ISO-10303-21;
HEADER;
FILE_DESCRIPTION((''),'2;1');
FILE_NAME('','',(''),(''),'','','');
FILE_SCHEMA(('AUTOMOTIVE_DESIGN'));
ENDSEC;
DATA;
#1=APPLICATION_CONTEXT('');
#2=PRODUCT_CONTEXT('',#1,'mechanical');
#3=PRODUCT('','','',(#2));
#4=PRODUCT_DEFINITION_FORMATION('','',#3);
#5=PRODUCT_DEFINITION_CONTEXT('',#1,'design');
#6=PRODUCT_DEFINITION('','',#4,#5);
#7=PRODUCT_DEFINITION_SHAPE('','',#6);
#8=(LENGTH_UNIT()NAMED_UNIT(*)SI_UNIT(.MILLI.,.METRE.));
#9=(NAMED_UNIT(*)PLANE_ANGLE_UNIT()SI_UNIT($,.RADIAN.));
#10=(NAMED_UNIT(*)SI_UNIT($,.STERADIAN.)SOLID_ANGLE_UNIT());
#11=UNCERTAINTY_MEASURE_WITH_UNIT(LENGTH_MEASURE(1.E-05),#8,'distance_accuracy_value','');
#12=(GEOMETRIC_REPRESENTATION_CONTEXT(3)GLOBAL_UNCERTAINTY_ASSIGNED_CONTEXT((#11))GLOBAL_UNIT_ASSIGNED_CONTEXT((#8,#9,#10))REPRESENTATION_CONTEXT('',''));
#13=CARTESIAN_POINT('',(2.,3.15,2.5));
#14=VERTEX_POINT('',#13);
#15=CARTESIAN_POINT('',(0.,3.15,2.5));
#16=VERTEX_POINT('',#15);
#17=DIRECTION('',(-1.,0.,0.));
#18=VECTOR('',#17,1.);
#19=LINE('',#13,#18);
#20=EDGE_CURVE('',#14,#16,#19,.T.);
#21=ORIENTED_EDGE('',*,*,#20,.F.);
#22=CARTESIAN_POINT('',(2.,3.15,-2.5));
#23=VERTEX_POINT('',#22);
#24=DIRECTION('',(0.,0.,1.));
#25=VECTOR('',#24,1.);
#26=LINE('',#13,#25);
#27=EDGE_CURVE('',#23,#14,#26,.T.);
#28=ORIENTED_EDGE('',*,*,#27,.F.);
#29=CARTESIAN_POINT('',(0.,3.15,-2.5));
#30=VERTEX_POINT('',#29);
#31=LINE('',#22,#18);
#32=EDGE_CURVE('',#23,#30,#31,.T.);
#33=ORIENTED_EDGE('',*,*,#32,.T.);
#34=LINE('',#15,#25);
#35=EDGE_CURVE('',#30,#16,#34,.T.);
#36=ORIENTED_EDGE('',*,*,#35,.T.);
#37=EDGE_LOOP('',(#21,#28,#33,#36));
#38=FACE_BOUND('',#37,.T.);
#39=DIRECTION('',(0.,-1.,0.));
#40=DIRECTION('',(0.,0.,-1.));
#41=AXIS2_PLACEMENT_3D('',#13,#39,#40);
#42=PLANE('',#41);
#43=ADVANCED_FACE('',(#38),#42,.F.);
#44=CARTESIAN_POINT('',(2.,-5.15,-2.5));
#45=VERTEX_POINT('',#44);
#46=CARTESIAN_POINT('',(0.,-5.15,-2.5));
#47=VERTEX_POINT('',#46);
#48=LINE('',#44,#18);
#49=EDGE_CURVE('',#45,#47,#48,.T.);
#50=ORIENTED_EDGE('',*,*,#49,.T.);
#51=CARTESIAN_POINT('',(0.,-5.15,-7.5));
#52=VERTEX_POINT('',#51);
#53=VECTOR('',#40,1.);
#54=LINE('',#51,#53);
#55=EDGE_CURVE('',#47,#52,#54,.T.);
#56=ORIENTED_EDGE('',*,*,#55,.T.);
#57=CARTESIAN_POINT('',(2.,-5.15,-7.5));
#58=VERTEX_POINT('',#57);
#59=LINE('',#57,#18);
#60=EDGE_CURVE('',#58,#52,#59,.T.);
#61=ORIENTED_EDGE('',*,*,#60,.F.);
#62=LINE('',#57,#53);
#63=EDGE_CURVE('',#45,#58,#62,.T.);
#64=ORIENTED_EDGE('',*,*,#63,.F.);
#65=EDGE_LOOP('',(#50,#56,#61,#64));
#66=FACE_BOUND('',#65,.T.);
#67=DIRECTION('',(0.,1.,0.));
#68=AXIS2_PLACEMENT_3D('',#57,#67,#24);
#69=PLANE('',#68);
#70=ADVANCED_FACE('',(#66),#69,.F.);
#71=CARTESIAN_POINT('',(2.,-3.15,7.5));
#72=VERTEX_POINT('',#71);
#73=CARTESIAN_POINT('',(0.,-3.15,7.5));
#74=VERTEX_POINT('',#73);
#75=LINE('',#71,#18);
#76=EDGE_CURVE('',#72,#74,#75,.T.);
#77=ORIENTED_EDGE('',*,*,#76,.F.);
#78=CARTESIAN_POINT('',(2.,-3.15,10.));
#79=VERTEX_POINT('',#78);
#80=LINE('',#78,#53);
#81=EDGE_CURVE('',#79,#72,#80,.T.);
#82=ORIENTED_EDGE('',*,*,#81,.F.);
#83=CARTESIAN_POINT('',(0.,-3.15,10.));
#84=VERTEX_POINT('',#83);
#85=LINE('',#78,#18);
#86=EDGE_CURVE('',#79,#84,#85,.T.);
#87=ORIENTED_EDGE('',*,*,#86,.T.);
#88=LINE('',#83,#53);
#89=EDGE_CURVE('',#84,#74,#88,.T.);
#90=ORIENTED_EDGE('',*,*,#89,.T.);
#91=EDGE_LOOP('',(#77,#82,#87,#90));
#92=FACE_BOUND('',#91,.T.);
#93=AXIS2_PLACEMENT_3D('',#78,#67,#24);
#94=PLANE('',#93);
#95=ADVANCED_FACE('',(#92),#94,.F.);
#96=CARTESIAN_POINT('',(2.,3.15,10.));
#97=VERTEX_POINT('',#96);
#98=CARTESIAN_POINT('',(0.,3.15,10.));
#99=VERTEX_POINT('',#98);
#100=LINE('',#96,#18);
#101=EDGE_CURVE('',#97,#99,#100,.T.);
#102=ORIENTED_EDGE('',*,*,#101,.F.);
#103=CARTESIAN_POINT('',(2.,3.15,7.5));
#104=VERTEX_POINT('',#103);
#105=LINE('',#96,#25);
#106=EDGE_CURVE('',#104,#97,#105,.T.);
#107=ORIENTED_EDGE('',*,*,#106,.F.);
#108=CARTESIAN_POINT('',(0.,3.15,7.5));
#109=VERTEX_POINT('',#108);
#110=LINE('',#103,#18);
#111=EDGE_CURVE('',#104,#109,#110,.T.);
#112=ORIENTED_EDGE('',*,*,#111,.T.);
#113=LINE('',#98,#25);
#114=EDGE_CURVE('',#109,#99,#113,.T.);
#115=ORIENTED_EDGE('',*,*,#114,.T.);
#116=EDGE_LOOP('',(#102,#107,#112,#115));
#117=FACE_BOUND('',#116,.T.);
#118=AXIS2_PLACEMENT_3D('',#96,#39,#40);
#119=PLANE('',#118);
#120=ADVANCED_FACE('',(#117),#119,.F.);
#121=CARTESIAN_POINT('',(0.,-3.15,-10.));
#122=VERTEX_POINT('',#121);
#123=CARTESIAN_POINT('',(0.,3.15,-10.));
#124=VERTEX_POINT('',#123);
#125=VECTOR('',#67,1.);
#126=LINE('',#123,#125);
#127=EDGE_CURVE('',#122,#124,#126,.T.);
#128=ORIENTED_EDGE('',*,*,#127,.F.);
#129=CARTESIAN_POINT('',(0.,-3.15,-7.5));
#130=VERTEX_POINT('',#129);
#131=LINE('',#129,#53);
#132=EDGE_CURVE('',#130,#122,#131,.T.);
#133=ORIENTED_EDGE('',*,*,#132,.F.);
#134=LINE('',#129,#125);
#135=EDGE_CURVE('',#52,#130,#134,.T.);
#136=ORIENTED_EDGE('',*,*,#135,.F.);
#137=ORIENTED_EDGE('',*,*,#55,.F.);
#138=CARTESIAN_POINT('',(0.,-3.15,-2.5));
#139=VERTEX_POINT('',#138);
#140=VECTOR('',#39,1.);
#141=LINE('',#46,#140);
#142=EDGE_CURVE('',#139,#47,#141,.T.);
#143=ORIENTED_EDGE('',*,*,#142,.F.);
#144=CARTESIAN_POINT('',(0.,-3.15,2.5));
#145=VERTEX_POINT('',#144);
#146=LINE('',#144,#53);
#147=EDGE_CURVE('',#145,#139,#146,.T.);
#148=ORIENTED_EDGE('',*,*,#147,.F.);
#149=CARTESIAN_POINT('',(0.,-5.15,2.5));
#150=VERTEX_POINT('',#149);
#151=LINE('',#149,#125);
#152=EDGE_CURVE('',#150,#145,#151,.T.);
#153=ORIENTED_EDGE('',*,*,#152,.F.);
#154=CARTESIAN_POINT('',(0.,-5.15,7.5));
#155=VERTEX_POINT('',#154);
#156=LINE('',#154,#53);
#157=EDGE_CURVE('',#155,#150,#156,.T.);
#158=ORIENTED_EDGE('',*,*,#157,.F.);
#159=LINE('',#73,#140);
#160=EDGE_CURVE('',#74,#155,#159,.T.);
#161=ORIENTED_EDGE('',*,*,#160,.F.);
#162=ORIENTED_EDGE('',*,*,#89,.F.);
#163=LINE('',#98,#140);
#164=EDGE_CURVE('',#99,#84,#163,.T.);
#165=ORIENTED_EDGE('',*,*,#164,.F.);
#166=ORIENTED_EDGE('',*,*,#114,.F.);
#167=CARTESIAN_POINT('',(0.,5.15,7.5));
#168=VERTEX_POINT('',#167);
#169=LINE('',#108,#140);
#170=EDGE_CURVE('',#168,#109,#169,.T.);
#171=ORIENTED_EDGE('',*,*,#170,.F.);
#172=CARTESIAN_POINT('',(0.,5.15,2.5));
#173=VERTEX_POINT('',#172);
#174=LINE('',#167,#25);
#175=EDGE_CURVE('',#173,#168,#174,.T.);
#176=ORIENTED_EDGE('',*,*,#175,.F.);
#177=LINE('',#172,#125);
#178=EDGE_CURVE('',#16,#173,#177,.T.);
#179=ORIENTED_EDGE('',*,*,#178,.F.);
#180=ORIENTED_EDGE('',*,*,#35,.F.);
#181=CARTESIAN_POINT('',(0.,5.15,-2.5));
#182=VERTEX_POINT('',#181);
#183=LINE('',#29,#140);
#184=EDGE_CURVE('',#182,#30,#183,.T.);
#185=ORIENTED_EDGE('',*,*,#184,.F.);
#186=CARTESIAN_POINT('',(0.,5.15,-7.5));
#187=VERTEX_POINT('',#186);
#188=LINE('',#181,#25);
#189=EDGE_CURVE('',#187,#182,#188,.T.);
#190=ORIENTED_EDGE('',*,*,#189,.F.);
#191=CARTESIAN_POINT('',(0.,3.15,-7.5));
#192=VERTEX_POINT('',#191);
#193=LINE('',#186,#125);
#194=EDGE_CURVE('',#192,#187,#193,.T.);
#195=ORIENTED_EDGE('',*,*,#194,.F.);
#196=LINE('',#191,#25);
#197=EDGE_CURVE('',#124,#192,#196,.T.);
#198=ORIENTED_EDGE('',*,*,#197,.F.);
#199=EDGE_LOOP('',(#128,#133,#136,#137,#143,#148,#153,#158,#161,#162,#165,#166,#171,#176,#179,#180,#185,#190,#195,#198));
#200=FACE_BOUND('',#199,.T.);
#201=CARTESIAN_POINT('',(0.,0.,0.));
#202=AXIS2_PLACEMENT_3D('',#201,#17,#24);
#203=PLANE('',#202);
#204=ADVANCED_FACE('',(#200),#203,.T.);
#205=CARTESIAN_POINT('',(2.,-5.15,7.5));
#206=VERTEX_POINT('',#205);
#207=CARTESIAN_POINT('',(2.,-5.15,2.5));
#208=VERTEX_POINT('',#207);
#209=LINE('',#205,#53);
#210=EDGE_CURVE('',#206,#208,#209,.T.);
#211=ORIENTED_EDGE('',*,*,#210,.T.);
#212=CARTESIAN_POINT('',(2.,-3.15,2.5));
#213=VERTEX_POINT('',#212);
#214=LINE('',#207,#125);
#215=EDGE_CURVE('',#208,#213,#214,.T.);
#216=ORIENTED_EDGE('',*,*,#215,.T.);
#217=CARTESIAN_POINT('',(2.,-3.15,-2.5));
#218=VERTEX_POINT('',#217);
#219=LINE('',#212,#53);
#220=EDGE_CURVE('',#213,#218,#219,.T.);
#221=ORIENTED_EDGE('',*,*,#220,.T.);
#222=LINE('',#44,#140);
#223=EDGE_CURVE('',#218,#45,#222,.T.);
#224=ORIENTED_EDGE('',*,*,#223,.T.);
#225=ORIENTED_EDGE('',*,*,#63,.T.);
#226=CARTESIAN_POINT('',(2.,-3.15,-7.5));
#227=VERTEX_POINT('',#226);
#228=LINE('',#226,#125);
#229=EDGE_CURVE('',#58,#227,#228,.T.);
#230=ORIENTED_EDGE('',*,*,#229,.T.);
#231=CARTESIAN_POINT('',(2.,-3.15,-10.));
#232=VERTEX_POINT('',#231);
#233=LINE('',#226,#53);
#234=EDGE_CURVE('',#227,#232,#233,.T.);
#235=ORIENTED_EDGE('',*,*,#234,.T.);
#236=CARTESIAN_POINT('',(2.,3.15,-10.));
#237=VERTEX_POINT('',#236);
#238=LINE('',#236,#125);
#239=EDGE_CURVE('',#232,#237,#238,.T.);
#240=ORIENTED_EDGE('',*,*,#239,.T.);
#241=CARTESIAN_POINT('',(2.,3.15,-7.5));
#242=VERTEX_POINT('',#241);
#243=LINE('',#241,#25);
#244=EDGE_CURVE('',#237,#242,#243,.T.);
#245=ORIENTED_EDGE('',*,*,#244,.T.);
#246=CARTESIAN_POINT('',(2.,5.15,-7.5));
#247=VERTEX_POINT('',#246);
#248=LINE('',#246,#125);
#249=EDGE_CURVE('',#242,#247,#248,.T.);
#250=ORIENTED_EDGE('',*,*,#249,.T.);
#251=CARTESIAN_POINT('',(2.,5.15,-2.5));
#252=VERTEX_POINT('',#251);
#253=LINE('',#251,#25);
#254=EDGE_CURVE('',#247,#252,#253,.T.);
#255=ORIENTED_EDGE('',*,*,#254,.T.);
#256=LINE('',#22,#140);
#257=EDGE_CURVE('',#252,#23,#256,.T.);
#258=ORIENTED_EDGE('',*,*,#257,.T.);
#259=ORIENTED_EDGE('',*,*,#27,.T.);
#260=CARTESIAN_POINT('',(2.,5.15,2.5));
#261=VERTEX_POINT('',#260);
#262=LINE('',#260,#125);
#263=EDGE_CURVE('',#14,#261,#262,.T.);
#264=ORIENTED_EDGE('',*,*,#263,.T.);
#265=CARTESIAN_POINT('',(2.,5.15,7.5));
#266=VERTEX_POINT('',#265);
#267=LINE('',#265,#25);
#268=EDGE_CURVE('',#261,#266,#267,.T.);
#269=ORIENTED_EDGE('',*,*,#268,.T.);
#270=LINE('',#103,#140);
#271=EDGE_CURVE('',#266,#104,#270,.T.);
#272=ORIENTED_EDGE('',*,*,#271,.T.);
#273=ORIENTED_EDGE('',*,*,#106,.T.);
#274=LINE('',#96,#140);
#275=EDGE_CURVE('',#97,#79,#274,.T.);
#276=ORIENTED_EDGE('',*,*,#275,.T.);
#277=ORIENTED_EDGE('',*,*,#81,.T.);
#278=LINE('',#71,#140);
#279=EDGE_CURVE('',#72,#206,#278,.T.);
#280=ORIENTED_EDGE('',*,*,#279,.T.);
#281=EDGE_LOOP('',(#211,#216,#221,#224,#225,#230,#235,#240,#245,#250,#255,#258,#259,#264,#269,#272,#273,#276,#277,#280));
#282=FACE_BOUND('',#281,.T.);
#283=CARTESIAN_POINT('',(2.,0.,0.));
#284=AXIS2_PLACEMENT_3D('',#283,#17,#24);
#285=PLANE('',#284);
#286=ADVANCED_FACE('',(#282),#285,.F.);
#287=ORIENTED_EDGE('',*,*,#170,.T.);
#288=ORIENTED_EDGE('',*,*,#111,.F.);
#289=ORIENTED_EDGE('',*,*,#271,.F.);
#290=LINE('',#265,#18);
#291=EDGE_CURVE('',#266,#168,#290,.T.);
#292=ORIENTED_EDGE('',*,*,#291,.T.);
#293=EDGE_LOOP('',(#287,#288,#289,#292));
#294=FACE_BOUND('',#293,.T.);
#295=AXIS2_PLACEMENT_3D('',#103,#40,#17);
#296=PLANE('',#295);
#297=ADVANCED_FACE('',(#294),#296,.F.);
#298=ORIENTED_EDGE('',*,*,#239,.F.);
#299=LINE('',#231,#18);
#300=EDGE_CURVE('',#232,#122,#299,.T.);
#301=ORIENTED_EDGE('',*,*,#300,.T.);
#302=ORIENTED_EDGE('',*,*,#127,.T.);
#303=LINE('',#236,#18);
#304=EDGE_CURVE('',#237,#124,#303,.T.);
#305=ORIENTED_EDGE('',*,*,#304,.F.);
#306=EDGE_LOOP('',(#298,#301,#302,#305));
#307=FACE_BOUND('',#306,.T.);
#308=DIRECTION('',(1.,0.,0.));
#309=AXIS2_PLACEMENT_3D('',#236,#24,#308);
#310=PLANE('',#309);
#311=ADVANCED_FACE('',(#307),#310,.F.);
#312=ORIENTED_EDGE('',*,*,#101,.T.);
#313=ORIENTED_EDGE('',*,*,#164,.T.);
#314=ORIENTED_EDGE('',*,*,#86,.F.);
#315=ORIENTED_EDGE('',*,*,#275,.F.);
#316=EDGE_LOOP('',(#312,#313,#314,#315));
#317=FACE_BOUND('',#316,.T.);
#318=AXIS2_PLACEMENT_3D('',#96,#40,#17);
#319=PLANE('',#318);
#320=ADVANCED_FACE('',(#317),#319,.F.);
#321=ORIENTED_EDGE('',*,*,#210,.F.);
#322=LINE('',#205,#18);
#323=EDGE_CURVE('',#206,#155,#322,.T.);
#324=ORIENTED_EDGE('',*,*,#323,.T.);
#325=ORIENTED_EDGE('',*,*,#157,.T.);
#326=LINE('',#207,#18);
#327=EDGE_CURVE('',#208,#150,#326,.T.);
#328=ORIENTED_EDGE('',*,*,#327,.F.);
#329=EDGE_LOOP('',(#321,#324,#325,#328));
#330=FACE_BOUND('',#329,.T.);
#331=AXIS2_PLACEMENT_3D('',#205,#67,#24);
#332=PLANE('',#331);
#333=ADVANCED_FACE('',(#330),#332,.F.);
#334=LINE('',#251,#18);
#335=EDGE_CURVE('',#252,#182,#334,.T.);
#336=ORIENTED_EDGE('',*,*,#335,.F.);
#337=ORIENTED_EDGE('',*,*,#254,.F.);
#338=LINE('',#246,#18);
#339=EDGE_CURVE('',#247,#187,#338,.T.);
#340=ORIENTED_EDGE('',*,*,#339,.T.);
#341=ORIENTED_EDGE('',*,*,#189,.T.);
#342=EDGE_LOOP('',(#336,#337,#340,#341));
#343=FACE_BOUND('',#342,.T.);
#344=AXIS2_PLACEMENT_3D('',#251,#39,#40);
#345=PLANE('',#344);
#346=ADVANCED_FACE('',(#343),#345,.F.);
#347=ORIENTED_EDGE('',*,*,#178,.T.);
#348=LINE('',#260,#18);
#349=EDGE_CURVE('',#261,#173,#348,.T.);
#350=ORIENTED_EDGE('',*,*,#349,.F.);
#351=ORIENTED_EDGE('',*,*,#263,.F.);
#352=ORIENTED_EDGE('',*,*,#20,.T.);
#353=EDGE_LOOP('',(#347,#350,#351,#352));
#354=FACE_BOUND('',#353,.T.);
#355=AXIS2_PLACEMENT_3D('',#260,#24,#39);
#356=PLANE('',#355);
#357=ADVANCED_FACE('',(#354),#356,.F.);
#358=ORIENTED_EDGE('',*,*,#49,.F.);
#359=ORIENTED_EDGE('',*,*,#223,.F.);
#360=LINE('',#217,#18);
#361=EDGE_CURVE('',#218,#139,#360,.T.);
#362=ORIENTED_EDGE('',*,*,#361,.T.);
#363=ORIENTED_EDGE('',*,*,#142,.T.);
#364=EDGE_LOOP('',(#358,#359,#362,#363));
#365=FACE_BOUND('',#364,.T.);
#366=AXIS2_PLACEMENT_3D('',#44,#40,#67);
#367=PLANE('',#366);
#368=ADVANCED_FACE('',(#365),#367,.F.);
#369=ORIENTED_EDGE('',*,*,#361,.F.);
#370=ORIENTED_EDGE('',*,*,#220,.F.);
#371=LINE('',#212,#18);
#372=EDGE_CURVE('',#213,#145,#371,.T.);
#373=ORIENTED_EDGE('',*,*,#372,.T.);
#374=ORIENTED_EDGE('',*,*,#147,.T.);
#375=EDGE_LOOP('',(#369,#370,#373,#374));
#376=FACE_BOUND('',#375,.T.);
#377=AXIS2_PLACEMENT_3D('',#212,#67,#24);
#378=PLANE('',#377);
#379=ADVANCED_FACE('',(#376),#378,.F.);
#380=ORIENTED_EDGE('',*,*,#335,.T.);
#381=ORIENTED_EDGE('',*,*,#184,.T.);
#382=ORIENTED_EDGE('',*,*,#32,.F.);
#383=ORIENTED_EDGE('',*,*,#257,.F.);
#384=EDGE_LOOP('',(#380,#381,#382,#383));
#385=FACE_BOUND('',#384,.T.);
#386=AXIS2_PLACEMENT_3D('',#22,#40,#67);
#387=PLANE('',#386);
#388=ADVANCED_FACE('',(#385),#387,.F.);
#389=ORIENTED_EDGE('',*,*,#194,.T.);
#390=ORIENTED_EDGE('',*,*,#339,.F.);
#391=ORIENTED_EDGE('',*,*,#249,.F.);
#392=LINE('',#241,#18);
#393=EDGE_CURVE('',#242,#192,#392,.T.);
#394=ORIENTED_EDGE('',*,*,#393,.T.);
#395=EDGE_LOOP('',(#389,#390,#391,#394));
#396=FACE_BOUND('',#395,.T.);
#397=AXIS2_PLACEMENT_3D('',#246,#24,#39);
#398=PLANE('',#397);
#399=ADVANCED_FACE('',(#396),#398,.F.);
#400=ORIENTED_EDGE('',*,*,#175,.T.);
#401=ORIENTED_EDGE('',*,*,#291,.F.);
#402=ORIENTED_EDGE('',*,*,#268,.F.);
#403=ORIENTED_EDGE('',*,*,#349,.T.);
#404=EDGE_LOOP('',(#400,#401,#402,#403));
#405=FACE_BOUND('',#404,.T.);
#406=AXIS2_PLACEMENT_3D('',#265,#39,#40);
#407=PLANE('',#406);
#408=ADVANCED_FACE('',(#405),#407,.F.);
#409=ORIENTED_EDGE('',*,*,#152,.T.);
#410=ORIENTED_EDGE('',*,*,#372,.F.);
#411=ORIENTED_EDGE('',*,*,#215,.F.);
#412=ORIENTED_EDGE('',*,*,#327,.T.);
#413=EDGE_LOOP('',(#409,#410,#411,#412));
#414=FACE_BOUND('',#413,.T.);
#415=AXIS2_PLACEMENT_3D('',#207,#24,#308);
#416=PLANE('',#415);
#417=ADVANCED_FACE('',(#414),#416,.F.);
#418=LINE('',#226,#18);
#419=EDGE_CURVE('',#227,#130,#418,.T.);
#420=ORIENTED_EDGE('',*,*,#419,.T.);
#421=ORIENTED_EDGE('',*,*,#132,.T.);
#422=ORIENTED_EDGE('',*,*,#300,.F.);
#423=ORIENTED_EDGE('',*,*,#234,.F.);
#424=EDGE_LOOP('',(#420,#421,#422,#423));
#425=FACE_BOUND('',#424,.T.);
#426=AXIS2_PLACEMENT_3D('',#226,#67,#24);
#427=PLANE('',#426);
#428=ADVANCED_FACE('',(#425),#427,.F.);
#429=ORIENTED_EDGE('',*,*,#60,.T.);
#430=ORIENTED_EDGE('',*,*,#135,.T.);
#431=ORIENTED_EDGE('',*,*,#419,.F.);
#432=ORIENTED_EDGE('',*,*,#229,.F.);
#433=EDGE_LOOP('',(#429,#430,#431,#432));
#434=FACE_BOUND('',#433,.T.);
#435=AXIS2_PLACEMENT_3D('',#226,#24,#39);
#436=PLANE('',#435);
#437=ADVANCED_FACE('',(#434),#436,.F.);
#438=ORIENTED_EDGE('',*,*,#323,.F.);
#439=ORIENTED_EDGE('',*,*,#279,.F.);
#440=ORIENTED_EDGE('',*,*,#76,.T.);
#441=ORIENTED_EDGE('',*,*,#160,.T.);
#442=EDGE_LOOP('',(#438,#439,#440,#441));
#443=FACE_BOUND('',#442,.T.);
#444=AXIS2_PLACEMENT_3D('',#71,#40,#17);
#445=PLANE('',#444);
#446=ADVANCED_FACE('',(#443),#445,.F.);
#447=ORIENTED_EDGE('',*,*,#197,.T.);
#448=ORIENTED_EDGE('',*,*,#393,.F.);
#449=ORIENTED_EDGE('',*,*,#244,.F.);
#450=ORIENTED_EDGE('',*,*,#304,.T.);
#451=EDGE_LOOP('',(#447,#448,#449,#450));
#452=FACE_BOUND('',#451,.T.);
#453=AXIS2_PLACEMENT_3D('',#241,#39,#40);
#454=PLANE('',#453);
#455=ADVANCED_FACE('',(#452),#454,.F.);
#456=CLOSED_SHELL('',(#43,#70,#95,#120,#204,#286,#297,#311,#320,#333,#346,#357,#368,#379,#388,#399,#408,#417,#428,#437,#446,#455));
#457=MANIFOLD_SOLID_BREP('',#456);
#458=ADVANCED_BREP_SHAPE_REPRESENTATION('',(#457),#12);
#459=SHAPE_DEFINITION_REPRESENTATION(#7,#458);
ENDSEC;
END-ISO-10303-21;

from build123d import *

# Parameters (mm, degrees)
BOSS_EXTRUDE1_DEPTH = 2


with BuildPart() as part:
    # Sketch1 → Boss-Extrude1 (new body)
    with BuildSketch(Plane(origin=(0, 0, 0), x_dir=(0, 0, -1), z_dir=(1, 0, 0))):
        Polygon((-7.5, 3.15), (-7.5, 5.15), (-2.5, 5.15), (-2.5, 3.15), (2.5, 3.15), (2.5, 5.15), (7.5, 5.15), (7.5, 3.15), (10, 3.15), (10, -3.15), (7.5, -3.15), (7.5, -5.15), (2.5, -5.15), (2.5, -3.15), (-2.5, -3.15), (-2.5, -5.15), (-7.5, -5.15), (-7.5, -3.15), (-10, -3.15), (-10, 3.15), align=None)
    extrude(amount=BOSS_EXTRUDE1_DEPTH)


solid = part.part
